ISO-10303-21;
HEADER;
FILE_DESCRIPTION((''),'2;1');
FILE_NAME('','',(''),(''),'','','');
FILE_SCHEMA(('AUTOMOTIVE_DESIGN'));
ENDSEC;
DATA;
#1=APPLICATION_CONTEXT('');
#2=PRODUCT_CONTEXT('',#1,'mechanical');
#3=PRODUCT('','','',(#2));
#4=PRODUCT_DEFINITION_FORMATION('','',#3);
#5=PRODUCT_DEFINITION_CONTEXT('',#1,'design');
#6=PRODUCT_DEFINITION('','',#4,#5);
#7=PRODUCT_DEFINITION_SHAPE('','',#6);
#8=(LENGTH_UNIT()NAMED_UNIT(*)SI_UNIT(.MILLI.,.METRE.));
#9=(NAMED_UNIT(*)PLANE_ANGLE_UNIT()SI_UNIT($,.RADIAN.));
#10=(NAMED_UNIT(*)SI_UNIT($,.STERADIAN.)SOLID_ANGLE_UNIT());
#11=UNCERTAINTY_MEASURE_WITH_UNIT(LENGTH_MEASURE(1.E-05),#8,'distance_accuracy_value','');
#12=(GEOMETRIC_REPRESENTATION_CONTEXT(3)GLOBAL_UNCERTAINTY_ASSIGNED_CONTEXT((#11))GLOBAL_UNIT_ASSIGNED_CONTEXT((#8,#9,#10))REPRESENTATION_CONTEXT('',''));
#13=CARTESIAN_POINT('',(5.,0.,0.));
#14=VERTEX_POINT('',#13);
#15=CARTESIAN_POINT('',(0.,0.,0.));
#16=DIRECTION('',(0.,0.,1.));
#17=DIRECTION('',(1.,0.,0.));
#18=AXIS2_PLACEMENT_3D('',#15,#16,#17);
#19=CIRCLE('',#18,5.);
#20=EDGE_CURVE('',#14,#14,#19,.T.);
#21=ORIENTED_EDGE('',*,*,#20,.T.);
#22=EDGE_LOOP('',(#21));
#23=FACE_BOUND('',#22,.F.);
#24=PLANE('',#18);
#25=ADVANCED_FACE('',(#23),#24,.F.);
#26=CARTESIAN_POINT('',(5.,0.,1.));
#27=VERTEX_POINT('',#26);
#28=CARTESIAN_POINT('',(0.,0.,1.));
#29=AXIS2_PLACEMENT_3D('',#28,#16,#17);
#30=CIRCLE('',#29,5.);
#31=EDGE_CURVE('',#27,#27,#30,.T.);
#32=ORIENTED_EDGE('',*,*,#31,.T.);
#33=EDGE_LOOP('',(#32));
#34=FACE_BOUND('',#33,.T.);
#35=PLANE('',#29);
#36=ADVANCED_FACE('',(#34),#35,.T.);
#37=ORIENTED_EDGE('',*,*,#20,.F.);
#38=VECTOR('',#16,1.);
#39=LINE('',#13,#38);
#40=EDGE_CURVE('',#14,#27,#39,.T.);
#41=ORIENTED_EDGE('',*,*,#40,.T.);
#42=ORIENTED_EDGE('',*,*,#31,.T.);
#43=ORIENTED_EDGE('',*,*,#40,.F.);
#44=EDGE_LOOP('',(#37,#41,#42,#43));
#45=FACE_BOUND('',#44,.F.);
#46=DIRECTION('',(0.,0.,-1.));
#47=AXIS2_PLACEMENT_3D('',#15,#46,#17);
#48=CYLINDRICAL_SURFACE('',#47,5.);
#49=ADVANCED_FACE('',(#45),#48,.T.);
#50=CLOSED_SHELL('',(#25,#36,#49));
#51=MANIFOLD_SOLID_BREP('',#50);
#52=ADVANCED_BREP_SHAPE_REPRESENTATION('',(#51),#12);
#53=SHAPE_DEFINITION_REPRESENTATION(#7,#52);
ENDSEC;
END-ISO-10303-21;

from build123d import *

# Parameters (mm, degrees)
SKETCH_1_R      = 5
EXTRUDE_1_DEPTH = 1


with BuildPart() as part:
    # 草图1 → 凸台-拉伸1 (new body)
    with BuildSketch(Plane.XY):
        Circle(SKETCH_1_R)
    extrude(amount=EXTRUDE_1_DEPTH)


solid = part.part
